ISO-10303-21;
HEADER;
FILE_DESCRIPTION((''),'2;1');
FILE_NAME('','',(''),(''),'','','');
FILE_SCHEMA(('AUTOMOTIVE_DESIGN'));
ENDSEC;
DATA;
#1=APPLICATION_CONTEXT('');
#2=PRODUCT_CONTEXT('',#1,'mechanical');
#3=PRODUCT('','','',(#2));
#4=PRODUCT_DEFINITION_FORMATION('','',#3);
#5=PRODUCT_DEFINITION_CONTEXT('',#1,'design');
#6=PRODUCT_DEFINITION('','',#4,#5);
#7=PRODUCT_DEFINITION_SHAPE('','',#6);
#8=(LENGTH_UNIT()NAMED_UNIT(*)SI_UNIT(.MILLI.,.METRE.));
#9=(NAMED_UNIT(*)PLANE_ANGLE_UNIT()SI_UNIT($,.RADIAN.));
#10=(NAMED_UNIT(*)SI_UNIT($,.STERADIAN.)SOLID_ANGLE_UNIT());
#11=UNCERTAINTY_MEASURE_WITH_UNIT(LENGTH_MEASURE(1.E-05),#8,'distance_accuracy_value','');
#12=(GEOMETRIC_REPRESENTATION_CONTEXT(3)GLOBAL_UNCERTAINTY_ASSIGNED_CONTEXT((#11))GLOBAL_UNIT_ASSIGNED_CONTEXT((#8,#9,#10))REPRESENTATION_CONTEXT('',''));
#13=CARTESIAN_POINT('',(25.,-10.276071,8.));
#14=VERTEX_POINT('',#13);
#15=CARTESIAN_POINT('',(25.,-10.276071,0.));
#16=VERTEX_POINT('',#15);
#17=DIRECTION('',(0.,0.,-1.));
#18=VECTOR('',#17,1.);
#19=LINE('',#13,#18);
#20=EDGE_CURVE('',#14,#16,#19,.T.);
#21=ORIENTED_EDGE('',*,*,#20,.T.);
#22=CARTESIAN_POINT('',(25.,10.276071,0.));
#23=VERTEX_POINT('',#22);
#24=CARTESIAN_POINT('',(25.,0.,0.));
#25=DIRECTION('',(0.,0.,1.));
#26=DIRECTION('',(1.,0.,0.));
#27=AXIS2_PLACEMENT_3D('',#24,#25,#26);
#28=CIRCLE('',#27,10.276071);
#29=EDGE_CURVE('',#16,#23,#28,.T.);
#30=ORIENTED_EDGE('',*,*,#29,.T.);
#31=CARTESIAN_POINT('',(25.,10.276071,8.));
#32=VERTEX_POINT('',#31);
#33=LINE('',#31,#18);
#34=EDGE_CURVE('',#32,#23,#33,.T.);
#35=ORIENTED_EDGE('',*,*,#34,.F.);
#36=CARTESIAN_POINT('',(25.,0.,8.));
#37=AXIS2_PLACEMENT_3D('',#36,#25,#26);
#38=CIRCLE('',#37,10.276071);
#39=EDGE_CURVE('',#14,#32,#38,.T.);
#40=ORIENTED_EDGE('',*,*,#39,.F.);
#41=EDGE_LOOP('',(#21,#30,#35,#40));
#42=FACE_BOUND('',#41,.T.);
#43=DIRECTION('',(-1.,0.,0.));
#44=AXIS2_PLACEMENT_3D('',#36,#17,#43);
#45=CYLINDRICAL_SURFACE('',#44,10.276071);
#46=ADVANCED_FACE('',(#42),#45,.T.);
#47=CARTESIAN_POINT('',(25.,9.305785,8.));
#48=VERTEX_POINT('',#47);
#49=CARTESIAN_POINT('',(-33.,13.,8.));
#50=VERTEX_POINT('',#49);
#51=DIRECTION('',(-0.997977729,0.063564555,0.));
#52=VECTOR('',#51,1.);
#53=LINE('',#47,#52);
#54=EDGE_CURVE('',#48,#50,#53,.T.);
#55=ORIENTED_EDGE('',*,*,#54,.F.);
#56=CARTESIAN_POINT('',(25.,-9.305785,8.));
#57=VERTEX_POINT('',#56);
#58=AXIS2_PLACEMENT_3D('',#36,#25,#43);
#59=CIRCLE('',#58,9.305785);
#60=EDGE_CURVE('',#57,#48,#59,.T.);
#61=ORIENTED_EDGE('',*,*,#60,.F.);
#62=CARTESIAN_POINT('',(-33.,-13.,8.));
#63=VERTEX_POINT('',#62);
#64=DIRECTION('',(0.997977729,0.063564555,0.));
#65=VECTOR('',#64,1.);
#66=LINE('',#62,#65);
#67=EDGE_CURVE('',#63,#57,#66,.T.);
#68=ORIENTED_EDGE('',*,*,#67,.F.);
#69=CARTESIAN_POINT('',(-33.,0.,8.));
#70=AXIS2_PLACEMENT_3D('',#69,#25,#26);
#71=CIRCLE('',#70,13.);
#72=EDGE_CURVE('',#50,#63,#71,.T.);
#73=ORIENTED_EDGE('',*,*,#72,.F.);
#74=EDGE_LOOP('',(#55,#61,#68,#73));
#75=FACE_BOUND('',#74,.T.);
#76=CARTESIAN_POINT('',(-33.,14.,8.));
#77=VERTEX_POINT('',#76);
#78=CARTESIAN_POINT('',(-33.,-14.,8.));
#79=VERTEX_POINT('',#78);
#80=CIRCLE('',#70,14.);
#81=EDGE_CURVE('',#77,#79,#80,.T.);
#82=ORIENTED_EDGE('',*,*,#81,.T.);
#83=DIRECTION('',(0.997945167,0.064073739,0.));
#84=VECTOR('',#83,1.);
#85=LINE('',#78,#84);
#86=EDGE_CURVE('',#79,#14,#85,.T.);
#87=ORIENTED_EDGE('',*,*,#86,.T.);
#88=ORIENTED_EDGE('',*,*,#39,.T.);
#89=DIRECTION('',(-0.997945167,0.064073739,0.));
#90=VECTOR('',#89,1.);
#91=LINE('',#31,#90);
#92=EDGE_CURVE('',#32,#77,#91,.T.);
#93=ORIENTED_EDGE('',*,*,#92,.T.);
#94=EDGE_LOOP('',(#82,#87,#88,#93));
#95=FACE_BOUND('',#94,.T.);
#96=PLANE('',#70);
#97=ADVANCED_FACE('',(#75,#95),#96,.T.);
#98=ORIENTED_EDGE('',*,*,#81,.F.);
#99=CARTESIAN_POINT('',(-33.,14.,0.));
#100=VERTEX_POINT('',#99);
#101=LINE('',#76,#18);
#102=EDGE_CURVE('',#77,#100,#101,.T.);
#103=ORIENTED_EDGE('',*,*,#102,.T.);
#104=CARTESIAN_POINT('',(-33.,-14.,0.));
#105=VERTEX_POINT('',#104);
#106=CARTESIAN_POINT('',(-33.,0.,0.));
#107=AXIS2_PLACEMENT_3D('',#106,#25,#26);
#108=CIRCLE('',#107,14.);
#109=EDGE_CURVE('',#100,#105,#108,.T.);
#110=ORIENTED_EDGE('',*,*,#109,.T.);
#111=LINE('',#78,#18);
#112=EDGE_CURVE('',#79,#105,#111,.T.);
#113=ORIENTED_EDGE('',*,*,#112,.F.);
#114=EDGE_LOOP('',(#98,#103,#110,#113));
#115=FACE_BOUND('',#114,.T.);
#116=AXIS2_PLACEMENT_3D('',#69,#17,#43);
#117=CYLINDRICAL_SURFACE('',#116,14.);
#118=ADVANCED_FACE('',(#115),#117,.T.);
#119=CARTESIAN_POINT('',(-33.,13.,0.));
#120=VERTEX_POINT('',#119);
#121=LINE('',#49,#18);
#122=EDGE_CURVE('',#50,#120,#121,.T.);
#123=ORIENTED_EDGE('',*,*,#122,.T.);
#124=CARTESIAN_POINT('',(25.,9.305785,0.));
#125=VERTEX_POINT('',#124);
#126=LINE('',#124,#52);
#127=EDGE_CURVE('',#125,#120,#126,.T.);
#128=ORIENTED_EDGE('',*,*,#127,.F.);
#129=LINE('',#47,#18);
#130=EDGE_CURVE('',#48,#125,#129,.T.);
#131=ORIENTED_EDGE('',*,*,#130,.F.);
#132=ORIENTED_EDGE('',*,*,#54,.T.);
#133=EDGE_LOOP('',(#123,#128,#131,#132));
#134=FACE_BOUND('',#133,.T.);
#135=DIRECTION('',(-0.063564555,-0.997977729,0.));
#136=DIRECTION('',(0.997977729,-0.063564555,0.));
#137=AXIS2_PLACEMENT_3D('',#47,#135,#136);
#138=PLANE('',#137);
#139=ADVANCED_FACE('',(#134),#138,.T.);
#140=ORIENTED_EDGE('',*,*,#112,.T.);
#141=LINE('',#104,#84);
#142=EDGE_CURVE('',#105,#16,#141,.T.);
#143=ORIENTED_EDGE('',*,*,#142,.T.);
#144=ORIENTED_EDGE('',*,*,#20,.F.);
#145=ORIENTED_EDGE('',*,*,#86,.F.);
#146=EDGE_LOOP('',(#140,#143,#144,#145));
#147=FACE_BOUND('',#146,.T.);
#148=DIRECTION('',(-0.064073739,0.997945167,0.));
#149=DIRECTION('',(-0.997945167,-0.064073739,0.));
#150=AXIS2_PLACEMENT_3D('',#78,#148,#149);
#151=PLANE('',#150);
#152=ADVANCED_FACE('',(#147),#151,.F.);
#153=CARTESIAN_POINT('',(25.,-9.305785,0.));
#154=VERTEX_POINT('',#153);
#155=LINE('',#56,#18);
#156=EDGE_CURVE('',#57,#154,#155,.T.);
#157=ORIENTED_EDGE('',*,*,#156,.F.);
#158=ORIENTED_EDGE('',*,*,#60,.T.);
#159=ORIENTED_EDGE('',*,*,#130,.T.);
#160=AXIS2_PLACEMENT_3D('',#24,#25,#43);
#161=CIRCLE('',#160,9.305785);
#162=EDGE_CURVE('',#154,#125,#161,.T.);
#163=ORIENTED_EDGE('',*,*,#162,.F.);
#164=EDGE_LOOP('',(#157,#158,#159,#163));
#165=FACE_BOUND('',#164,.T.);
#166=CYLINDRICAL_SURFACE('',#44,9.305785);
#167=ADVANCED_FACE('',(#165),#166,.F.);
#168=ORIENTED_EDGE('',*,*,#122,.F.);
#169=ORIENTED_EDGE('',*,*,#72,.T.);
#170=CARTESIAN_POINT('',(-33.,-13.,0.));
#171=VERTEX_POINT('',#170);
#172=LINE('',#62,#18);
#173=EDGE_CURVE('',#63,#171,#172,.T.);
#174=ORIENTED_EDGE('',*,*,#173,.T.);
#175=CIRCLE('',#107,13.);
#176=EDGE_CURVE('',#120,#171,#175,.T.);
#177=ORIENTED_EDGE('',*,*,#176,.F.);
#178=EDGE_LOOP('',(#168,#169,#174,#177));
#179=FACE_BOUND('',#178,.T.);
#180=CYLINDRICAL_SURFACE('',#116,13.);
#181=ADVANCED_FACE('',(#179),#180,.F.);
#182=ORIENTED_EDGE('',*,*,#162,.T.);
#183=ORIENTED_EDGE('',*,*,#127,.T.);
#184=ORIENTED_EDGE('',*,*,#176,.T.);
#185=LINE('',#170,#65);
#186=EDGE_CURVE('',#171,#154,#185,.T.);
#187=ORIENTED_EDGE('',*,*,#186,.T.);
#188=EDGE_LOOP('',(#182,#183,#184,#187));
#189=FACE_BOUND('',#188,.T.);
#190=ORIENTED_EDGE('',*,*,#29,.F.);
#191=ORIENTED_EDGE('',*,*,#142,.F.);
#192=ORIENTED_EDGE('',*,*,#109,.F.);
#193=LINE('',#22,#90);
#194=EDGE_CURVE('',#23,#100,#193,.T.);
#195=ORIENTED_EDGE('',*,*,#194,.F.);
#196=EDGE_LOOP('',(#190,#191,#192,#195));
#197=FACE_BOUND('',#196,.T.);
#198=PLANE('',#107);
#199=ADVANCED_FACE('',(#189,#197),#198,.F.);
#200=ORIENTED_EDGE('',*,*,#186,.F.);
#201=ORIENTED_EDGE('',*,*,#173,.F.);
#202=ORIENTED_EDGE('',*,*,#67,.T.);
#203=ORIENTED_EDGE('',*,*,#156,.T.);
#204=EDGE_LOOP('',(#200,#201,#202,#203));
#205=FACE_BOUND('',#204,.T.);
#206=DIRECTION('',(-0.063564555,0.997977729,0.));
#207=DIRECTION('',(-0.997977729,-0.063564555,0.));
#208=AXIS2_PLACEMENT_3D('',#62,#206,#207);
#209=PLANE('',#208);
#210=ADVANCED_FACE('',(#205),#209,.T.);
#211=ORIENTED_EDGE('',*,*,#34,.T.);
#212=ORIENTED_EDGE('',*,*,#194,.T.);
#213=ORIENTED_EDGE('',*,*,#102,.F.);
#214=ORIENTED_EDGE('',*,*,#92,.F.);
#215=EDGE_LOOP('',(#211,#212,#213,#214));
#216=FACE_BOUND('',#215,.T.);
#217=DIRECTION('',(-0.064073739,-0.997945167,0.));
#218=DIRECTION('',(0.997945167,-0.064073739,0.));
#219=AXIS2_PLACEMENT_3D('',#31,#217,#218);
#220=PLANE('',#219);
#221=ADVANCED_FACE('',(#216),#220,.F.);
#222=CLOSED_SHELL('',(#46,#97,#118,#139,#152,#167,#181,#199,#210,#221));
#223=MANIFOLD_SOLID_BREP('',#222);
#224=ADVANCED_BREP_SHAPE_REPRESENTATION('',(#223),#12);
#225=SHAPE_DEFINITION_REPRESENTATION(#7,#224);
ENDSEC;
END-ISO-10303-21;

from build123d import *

# Parameters (mm, degrees)
BOSS_EXTRU_1_DEPTH = 8


with BuildPart() as part:
    # Esquisse1 → Boss.-Extru.1 (new body)
    with BuildSketch(Plane.XY):
        with BuildLine():
            Line((-33, -14), (25, -10.276071075))
            ThreePointArc((25, -10.276071075), (35.276071075, 0), (25, 10.276071075))
            Line((25, 10.276071075), (-33, 14))
            ThreePointArc((-33, 14), (-47, 0), (-33, -14))
        make_face()
        with BuildLine():
            Line((-33, -13), (25, -9.305785122))
            ThreePointArc((25, -9.305785122), (34.305785122, 0), (25, 9.305785122))
            Line((25, 9.305785122), (-33, 13))
            ThreePointArc((-33, 13), (-46, 0), (-33, -13))
        make_face(mode=Mode.SUBTRACT)
    extrude(amount=BOSS_EXTRU_1_DEPTH)


solid = part.part
